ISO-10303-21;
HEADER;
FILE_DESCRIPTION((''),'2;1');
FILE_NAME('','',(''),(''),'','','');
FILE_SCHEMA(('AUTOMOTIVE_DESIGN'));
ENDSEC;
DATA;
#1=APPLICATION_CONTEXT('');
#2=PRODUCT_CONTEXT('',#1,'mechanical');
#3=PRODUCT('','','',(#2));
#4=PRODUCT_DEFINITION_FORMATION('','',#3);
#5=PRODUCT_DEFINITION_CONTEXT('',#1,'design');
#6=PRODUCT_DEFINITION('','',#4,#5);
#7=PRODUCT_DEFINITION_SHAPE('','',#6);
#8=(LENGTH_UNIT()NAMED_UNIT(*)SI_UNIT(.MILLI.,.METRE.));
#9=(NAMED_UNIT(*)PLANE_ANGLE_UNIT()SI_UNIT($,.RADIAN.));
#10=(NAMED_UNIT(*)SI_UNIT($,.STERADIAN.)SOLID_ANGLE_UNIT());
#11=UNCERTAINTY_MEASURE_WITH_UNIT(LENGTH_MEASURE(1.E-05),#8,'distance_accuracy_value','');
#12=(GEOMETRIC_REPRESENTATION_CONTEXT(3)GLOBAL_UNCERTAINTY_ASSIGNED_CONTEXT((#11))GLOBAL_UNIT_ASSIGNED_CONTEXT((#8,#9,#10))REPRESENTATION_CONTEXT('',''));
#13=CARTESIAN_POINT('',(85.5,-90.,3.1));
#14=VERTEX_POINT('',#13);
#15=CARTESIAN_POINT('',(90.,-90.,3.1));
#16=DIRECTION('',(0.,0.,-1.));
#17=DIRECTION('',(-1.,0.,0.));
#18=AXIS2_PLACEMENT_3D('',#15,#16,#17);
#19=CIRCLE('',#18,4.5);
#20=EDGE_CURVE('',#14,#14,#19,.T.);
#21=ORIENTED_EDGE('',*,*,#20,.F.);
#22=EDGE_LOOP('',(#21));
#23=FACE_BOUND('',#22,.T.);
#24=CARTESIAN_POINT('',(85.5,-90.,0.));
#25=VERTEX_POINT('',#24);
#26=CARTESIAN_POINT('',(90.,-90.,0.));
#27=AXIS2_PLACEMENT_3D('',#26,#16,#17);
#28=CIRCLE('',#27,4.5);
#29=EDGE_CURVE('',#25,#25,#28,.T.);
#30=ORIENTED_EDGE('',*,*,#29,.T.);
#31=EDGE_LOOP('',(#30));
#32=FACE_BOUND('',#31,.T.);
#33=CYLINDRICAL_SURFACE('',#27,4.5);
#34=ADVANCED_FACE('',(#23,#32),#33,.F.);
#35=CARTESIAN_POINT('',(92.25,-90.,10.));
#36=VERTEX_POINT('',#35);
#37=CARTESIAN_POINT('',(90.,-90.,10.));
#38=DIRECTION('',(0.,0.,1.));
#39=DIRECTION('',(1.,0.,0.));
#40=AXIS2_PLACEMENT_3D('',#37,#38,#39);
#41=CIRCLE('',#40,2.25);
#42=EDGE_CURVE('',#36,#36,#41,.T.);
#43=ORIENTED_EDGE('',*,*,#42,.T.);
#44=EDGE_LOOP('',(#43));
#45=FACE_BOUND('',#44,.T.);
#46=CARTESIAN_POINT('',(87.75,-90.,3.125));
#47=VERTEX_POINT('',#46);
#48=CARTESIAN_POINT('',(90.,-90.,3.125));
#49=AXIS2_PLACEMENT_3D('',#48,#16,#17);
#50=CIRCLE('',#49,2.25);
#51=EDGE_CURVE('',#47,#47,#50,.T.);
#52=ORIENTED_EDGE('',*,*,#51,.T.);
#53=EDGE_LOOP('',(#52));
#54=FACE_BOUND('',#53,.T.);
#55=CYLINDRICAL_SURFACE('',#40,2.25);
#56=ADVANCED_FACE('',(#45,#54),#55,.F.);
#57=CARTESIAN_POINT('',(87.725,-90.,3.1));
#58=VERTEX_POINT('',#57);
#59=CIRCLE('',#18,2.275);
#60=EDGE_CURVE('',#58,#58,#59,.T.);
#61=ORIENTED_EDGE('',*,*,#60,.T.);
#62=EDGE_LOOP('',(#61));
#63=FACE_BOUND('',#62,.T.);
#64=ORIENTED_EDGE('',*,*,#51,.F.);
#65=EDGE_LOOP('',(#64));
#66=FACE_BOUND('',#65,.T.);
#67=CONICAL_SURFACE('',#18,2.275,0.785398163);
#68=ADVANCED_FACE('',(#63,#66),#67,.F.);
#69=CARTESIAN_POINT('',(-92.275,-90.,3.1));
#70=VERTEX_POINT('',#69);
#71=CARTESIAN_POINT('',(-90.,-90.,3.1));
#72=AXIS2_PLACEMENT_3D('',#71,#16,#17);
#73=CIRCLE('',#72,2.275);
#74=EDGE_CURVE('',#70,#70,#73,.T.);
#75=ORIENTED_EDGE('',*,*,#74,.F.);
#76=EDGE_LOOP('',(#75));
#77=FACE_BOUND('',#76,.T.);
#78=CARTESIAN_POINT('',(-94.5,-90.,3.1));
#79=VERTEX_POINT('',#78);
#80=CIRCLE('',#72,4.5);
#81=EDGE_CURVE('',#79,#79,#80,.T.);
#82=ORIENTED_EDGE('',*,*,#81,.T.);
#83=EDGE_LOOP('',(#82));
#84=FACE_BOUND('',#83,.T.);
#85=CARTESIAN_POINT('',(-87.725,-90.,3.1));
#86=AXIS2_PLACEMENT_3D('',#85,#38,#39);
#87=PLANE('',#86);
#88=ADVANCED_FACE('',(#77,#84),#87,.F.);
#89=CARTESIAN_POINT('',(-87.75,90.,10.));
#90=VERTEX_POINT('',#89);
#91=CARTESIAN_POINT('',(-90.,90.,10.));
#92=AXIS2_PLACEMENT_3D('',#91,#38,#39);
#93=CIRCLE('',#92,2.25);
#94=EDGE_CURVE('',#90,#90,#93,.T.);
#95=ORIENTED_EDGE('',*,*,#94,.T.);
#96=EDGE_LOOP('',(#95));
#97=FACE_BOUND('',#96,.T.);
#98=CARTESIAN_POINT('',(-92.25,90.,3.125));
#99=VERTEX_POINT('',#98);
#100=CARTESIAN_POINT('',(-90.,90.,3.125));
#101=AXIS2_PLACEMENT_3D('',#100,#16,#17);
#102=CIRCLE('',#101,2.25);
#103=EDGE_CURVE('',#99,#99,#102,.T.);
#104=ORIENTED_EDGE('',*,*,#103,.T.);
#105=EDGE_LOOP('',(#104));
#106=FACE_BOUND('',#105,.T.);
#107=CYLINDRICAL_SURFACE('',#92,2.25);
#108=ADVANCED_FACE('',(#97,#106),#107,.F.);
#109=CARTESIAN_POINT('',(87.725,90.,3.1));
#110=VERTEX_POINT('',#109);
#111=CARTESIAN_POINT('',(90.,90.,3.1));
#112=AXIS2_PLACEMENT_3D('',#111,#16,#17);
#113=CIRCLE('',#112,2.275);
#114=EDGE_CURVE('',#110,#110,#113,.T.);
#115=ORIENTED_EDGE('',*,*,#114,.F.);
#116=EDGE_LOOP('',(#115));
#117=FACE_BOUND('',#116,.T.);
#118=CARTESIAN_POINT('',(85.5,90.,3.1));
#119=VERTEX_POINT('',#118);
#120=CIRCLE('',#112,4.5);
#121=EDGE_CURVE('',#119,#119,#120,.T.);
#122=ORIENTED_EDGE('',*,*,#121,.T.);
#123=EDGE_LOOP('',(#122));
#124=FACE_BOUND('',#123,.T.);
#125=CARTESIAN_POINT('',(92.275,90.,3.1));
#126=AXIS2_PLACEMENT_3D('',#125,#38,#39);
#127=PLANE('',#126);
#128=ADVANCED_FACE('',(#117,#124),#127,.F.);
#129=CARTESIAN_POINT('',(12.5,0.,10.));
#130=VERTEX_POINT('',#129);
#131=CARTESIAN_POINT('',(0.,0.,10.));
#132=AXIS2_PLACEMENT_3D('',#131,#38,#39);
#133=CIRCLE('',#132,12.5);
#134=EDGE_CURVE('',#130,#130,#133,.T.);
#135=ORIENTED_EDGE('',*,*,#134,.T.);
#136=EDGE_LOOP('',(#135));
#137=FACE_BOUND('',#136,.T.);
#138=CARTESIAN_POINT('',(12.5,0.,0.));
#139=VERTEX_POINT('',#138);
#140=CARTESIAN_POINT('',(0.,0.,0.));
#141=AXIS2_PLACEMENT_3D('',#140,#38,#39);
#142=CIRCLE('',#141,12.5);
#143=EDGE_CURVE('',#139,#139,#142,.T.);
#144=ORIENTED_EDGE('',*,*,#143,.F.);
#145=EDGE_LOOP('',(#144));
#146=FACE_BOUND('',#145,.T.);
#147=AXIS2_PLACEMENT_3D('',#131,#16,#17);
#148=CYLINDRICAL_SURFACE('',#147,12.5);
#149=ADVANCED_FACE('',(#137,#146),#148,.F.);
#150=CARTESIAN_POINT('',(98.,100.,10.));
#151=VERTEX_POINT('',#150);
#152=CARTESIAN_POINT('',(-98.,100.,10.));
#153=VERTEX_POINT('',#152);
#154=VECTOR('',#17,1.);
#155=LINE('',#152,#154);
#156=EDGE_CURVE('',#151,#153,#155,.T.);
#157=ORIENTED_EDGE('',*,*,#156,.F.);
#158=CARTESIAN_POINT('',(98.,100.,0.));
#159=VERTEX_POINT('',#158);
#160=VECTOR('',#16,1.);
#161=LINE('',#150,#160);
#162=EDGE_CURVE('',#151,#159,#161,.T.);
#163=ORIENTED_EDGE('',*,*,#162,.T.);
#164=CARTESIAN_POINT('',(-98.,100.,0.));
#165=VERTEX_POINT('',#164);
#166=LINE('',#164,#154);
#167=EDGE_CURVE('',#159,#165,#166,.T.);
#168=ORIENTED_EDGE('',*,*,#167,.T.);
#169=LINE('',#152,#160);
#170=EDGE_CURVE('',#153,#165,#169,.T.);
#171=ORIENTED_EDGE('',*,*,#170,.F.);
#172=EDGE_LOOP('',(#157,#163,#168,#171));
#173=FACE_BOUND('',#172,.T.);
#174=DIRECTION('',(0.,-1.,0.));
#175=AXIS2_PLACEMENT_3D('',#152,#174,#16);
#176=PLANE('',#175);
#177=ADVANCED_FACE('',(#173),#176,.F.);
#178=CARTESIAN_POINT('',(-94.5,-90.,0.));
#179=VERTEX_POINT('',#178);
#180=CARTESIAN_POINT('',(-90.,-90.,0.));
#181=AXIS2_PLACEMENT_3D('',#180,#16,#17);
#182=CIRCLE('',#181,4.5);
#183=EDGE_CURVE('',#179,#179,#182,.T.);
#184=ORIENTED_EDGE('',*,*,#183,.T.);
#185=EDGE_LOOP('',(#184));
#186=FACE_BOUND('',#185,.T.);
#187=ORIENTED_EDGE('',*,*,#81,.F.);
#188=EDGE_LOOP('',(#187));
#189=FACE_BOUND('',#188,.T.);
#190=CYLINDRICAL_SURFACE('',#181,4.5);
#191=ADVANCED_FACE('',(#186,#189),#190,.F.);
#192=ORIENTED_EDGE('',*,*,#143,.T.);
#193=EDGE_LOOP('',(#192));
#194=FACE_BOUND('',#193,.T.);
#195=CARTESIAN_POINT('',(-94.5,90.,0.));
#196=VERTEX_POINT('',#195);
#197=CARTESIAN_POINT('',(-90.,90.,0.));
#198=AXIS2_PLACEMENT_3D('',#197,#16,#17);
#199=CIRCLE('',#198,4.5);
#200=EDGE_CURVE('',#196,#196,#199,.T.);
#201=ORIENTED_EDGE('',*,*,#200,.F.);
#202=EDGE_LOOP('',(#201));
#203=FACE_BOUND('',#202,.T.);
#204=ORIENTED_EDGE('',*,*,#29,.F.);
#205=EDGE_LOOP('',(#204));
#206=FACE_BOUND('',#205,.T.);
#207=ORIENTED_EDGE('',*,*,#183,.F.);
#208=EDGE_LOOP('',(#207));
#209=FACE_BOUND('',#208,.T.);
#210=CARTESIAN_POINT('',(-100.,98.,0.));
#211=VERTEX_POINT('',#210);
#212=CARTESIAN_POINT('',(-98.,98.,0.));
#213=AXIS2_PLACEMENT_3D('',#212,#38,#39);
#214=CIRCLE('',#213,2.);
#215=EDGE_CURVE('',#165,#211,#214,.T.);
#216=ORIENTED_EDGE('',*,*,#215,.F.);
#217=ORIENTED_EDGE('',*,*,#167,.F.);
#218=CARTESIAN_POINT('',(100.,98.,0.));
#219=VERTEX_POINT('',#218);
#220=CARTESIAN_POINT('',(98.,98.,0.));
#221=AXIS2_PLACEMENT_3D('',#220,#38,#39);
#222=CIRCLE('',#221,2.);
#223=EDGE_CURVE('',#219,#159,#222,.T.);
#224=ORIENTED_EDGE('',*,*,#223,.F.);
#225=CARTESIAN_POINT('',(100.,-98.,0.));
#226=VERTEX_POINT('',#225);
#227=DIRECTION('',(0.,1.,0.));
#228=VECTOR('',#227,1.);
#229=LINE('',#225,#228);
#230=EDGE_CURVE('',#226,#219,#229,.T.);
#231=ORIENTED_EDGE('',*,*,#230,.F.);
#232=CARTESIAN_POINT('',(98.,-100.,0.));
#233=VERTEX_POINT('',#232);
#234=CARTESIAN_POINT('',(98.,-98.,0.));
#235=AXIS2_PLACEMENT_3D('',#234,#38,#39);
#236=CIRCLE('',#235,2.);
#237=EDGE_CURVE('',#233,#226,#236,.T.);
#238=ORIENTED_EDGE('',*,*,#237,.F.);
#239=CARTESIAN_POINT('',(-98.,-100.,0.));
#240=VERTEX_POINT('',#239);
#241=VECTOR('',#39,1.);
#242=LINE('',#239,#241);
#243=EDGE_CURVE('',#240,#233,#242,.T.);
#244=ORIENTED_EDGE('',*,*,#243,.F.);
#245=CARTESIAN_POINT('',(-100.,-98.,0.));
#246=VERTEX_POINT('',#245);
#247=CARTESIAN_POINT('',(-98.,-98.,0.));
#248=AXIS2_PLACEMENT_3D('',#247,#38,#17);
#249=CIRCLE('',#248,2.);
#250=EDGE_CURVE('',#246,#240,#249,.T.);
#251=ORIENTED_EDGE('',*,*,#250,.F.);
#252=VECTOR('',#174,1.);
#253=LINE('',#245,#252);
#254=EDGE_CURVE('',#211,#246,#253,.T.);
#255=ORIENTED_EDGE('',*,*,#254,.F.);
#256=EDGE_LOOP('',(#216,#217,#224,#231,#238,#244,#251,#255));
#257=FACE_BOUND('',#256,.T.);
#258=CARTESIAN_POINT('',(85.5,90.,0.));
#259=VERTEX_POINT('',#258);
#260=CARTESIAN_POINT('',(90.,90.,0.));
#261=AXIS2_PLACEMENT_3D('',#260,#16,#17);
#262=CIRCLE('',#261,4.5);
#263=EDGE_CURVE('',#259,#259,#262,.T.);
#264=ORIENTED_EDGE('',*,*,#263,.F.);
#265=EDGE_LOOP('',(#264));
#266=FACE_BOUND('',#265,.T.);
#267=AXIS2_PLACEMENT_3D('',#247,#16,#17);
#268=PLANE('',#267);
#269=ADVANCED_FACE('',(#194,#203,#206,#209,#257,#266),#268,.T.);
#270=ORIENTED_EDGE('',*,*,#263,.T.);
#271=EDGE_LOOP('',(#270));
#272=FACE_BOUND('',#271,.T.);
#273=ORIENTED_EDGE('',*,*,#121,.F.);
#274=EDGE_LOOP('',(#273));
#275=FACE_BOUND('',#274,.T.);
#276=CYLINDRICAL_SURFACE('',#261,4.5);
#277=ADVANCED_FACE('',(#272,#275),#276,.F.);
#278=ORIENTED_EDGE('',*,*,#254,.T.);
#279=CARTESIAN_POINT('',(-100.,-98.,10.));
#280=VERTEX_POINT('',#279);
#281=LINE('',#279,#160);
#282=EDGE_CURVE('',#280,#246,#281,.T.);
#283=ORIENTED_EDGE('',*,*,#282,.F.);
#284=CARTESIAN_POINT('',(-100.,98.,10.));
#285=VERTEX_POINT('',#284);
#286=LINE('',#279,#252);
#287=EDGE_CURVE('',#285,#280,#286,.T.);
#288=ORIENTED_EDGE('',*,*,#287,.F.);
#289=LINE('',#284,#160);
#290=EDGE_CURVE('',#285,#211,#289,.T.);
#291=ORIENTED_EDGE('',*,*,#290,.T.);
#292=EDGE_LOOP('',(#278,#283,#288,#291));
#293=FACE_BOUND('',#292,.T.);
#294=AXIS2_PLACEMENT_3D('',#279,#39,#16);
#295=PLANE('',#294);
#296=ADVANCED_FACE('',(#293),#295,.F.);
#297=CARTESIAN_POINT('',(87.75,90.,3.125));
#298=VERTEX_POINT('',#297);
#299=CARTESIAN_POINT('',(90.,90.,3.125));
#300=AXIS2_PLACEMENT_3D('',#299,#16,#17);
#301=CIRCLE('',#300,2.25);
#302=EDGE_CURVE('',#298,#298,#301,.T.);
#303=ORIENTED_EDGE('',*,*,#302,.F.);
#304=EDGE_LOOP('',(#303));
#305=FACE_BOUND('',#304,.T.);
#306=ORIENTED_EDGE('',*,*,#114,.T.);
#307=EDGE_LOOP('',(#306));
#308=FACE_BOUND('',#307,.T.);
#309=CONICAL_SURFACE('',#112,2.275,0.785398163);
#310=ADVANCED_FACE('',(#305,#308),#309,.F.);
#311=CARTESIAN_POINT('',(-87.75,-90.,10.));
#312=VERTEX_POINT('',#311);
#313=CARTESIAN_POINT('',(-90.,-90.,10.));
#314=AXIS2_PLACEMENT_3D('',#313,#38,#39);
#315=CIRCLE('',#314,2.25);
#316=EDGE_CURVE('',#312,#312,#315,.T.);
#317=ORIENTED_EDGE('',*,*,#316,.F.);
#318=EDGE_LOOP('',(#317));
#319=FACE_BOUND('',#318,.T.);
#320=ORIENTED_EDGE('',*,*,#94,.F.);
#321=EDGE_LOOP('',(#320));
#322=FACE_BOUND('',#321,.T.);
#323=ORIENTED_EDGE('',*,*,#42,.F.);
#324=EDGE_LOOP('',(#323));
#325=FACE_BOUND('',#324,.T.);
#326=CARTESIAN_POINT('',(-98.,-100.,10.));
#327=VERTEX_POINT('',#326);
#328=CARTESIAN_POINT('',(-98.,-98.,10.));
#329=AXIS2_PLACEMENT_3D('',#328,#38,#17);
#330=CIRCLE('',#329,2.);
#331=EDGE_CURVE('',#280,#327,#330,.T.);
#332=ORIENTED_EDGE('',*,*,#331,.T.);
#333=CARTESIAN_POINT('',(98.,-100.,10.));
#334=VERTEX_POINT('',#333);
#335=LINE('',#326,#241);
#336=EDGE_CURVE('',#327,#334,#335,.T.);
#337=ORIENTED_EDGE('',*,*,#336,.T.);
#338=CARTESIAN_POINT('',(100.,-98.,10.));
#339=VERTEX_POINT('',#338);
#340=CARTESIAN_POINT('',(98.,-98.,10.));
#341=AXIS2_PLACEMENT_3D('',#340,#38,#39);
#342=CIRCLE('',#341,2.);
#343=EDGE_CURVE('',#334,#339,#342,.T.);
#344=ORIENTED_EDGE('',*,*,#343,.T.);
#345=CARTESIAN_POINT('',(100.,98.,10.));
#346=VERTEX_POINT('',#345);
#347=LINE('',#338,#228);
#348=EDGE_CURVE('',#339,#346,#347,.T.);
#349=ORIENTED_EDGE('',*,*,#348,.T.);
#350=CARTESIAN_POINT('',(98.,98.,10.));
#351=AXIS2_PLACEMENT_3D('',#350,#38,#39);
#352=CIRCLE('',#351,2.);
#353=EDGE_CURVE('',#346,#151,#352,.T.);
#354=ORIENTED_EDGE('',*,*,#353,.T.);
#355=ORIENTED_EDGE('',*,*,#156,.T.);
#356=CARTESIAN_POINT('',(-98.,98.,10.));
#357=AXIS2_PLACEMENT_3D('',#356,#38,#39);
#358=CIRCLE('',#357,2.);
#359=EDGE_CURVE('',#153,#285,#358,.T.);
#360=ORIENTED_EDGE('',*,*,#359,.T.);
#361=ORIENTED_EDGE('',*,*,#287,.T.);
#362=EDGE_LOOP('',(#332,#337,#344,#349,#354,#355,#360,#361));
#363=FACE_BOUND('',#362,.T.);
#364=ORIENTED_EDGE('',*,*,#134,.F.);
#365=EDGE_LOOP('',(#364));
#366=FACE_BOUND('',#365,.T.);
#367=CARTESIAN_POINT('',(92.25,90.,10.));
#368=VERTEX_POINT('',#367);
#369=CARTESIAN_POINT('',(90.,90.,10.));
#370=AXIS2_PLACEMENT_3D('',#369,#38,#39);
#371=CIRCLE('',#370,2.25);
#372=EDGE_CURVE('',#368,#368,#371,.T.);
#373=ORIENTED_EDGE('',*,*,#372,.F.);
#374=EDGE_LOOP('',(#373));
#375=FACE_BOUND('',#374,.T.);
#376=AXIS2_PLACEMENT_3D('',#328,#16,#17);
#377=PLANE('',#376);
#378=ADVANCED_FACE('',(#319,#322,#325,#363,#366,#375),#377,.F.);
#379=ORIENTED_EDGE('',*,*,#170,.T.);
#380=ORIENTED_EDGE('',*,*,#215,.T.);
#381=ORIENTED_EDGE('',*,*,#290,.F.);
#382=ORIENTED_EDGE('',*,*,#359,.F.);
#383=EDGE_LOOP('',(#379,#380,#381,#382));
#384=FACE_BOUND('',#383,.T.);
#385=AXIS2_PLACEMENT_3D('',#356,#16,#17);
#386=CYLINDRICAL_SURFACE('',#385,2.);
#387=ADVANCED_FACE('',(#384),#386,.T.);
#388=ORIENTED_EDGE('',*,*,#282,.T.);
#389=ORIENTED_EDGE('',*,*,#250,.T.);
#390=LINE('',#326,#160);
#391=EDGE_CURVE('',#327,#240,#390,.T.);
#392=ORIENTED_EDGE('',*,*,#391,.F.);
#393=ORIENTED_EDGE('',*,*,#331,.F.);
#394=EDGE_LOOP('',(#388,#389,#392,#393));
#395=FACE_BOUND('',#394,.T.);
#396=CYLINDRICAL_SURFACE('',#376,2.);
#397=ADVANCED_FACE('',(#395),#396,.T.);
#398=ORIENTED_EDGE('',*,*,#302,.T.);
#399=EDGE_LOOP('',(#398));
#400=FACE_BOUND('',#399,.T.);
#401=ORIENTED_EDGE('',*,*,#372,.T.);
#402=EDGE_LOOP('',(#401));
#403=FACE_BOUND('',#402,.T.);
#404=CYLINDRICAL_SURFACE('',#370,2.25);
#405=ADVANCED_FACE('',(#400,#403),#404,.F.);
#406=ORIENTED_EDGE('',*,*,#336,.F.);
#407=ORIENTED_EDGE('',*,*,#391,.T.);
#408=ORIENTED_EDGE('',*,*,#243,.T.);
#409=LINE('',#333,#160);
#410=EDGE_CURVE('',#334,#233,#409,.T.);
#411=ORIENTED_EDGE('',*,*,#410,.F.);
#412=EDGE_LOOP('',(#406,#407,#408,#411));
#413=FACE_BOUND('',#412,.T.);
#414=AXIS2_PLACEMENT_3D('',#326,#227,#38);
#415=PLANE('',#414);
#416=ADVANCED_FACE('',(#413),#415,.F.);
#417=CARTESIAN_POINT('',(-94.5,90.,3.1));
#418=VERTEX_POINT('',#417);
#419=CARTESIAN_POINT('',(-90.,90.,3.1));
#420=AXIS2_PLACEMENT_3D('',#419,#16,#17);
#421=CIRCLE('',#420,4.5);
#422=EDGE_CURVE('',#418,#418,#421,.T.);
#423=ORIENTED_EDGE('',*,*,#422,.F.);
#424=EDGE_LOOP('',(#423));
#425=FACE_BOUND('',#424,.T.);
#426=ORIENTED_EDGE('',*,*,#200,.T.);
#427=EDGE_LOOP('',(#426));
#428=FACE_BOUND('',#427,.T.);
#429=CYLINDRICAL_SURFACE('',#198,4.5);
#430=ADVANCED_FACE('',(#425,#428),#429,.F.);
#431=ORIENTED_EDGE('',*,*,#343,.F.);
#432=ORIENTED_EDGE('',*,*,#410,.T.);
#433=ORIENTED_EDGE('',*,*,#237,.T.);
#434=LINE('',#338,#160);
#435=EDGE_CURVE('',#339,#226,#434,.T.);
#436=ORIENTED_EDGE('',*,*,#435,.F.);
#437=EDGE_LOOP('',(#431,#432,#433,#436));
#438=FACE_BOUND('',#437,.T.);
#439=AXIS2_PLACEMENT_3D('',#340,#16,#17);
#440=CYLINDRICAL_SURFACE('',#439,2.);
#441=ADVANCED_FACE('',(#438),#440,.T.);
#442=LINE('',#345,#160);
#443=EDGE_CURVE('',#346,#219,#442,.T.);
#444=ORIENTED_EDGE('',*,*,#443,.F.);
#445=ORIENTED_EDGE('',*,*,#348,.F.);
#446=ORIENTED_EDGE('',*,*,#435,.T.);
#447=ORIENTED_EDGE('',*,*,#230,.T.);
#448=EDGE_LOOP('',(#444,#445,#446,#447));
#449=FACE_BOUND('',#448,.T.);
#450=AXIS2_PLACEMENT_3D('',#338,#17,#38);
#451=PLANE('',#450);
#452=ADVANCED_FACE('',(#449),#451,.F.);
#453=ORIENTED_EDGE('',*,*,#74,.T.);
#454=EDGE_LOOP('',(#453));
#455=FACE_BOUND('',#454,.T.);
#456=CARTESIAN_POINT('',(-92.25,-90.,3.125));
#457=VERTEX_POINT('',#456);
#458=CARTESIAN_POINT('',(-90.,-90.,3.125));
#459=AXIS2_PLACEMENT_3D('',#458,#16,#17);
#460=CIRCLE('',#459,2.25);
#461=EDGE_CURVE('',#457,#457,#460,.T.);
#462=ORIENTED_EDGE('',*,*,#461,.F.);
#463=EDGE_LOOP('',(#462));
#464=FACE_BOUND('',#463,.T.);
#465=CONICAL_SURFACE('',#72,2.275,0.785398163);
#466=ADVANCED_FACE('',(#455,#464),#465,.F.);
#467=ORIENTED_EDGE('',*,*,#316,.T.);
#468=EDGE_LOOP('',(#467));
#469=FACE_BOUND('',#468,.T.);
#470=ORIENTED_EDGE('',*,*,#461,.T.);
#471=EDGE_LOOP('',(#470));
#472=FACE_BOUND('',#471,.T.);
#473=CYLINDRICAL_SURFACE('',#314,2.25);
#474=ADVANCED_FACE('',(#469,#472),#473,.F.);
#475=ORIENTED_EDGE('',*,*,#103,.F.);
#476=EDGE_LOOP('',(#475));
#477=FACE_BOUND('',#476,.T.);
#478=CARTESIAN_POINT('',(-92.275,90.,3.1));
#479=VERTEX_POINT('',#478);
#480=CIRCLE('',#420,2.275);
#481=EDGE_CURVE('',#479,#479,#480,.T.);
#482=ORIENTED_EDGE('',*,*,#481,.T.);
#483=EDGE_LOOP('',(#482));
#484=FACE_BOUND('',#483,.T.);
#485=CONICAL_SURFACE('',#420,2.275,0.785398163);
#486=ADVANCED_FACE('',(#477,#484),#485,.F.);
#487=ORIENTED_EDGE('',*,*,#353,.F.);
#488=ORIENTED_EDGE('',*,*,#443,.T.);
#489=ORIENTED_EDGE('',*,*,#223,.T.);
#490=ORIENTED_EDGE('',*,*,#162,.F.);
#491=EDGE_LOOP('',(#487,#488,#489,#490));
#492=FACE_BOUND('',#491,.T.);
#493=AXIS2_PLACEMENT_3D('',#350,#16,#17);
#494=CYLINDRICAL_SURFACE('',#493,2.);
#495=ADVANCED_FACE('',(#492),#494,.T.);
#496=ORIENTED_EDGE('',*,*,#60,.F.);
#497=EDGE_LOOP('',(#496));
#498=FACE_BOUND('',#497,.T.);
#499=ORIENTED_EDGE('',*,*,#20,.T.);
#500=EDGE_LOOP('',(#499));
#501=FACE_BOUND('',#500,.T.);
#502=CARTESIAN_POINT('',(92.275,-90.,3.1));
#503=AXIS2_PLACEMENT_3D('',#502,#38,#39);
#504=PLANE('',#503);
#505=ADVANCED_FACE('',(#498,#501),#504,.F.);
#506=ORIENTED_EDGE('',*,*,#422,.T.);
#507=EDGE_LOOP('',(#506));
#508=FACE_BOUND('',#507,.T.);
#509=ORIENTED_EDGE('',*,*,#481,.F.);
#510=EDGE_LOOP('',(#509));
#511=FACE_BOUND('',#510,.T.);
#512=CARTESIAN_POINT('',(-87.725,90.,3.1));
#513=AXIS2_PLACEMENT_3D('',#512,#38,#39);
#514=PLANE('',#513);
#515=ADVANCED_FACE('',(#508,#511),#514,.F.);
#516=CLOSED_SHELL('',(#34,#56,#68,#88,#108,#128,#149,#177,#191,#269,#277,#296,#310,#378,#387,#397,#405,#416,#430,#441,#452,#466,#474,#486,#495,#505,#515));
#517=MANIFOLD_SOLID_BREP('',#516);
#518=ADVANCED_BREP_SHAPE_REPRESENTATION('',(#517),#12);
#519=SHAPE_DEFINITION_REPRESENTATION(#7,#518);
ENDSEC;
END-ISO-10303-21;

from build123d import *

# Parameters (mm, degrees)
ESQUISSE1_R                                = 12.5
BOSS_EXTRU_1_DEPTH                         = 10
D_GAGEMENT_M41_D                           = 4.5
CHAMBRAGE_POUR_VIS_T_TE_RONDE_BOMB_2_COUNT = 2
CHAMBRAGE_POUR_VIS_T_TE_RONDE_BOMB_2_PITCH = 180
CHAMBRAGE_POUR_VIS_T_TE_RONDE_BOMB_3_COUNT = 2
CHAMBRAGE_POUR_VIS_T_TE_RONDE_BOMB_3_PITCH = 254.558441227
CHAMBRAGE_POUR_VIS_T_TE_RONDE_BOMB_4_COUNT = 2
CHAMBRAGE_POUR_VIS_T_TE_RONDE_BOMB_4_PITCH = 180


with BuildPart() as part:
    # Esquisse1 → Boss.-Extru.1 (new body)
    with BuildSketch(Plane.XY):
        with BuildLine():
            Line((-98, -100), (98, -100))
            ThreePointArc((98, -100), (99.414213562, -99.414213562), (100, -98))
            Line((100, -98), (100, 98))
            ThreePointArc((100, 98), (99.414213562, 99.414213562), (98, 100))
            Line((98, 100), (-98, 100))
            ThreePointArc((-98, 100), (-99.414213562, 99.414213562), (-100, 98))
            Line((-100, 98), (-100, -98))
            ThreePointArc((-100, -98), (-99.414213562, -99.414213562), (-98, -100))
        make_face()
        Circle(ESQUISSE1_R, mode=Mode.SUBTRACT)
    extrude(amount=BOSS_EXTRU_1_DEPTH)

    # Dégagement M41 (through all)
    with Locations(Plane.XY.offset(10)):
        with Locations((-90, 90), (-90, -90), (90, -90), (90, 90)):
            Hole(D_GAGEMENT_M41_D / 2)

    # Esquisse6 → Chambrage pour vis à tête ronde bombée M41 (revolve, cut)
    with BuildSketch(Plane(origin=(90, 90, 0), x_dir=(0, 1, 0), z_dir=(1, 0, 0))):
        Polygon((0, 0), (0, 10), (2.25, 10), (2.25, 3.125), (2.275, 3.1), (4.5, 3.1), (4.5, 0), align=None)
    chambrage_pour_vis_t_te_ronde_bomb_e_m = revolve(axis=Axis((90, 90, -6.35), (0, 0, 1)), mode=Mode.SUBTRACT)

    # Chambrage pour vis _ t_te ronde bomb 2: Chambrage pour vis à tête ronde bombée M41 ×2
    with Locations(*[(-i * CHAMBRAGE_POUR_VIS_T_TE_RONDE_BOMB_2_PITCH, 0, 0) for i in range(1, CHAMBRAGE_POUR_VIS_T_TE_RONDE_BOMB_2_COUNT)]):
        add(chambrage_pour_vis_t_te_ronde_bomb_e_m, mode=Mode.SUBTRACT)

    # Chambrage pour vis _ t_te ronde bomb 3: Chambrage pour vis à tête ronde bombée M41 ×2
    with Locations(*[Vector(-0.7071067811865476, -0.7071067811865476, 0) * (i * CHAMBRAGE_POUR_VIS_T_TE_RONDE_BOMB_3_PITCH) for i in range(1, CHAMBRAGE_POUR_VIS_T_TE_RONDE_BOMB_3_COUNT)]):
        add(chambrage_pour_vis_t_te_ronde_bomb_e_m, mode=Mode.SUBTRACT)

    # Chambrage pour vis _ t_te ronde bomb 4: Chambrage pour vis à tête ronde bombée M41 ×2
    with Locations(*[(0, -i * CHAMBRAGE_POUR_VIS_T_TE_RONDE_BOMB_4_PITCH, 0) for i in range(1, CHAMBRAGE_POUR_VIS_T_TE_RONDE_BOMB_4_COUNT)]):
        add(chambrage_pour_vis_t_te_ronde_bomb_e_m, mode=Mode.SUBTRACT)


solid = part.part
